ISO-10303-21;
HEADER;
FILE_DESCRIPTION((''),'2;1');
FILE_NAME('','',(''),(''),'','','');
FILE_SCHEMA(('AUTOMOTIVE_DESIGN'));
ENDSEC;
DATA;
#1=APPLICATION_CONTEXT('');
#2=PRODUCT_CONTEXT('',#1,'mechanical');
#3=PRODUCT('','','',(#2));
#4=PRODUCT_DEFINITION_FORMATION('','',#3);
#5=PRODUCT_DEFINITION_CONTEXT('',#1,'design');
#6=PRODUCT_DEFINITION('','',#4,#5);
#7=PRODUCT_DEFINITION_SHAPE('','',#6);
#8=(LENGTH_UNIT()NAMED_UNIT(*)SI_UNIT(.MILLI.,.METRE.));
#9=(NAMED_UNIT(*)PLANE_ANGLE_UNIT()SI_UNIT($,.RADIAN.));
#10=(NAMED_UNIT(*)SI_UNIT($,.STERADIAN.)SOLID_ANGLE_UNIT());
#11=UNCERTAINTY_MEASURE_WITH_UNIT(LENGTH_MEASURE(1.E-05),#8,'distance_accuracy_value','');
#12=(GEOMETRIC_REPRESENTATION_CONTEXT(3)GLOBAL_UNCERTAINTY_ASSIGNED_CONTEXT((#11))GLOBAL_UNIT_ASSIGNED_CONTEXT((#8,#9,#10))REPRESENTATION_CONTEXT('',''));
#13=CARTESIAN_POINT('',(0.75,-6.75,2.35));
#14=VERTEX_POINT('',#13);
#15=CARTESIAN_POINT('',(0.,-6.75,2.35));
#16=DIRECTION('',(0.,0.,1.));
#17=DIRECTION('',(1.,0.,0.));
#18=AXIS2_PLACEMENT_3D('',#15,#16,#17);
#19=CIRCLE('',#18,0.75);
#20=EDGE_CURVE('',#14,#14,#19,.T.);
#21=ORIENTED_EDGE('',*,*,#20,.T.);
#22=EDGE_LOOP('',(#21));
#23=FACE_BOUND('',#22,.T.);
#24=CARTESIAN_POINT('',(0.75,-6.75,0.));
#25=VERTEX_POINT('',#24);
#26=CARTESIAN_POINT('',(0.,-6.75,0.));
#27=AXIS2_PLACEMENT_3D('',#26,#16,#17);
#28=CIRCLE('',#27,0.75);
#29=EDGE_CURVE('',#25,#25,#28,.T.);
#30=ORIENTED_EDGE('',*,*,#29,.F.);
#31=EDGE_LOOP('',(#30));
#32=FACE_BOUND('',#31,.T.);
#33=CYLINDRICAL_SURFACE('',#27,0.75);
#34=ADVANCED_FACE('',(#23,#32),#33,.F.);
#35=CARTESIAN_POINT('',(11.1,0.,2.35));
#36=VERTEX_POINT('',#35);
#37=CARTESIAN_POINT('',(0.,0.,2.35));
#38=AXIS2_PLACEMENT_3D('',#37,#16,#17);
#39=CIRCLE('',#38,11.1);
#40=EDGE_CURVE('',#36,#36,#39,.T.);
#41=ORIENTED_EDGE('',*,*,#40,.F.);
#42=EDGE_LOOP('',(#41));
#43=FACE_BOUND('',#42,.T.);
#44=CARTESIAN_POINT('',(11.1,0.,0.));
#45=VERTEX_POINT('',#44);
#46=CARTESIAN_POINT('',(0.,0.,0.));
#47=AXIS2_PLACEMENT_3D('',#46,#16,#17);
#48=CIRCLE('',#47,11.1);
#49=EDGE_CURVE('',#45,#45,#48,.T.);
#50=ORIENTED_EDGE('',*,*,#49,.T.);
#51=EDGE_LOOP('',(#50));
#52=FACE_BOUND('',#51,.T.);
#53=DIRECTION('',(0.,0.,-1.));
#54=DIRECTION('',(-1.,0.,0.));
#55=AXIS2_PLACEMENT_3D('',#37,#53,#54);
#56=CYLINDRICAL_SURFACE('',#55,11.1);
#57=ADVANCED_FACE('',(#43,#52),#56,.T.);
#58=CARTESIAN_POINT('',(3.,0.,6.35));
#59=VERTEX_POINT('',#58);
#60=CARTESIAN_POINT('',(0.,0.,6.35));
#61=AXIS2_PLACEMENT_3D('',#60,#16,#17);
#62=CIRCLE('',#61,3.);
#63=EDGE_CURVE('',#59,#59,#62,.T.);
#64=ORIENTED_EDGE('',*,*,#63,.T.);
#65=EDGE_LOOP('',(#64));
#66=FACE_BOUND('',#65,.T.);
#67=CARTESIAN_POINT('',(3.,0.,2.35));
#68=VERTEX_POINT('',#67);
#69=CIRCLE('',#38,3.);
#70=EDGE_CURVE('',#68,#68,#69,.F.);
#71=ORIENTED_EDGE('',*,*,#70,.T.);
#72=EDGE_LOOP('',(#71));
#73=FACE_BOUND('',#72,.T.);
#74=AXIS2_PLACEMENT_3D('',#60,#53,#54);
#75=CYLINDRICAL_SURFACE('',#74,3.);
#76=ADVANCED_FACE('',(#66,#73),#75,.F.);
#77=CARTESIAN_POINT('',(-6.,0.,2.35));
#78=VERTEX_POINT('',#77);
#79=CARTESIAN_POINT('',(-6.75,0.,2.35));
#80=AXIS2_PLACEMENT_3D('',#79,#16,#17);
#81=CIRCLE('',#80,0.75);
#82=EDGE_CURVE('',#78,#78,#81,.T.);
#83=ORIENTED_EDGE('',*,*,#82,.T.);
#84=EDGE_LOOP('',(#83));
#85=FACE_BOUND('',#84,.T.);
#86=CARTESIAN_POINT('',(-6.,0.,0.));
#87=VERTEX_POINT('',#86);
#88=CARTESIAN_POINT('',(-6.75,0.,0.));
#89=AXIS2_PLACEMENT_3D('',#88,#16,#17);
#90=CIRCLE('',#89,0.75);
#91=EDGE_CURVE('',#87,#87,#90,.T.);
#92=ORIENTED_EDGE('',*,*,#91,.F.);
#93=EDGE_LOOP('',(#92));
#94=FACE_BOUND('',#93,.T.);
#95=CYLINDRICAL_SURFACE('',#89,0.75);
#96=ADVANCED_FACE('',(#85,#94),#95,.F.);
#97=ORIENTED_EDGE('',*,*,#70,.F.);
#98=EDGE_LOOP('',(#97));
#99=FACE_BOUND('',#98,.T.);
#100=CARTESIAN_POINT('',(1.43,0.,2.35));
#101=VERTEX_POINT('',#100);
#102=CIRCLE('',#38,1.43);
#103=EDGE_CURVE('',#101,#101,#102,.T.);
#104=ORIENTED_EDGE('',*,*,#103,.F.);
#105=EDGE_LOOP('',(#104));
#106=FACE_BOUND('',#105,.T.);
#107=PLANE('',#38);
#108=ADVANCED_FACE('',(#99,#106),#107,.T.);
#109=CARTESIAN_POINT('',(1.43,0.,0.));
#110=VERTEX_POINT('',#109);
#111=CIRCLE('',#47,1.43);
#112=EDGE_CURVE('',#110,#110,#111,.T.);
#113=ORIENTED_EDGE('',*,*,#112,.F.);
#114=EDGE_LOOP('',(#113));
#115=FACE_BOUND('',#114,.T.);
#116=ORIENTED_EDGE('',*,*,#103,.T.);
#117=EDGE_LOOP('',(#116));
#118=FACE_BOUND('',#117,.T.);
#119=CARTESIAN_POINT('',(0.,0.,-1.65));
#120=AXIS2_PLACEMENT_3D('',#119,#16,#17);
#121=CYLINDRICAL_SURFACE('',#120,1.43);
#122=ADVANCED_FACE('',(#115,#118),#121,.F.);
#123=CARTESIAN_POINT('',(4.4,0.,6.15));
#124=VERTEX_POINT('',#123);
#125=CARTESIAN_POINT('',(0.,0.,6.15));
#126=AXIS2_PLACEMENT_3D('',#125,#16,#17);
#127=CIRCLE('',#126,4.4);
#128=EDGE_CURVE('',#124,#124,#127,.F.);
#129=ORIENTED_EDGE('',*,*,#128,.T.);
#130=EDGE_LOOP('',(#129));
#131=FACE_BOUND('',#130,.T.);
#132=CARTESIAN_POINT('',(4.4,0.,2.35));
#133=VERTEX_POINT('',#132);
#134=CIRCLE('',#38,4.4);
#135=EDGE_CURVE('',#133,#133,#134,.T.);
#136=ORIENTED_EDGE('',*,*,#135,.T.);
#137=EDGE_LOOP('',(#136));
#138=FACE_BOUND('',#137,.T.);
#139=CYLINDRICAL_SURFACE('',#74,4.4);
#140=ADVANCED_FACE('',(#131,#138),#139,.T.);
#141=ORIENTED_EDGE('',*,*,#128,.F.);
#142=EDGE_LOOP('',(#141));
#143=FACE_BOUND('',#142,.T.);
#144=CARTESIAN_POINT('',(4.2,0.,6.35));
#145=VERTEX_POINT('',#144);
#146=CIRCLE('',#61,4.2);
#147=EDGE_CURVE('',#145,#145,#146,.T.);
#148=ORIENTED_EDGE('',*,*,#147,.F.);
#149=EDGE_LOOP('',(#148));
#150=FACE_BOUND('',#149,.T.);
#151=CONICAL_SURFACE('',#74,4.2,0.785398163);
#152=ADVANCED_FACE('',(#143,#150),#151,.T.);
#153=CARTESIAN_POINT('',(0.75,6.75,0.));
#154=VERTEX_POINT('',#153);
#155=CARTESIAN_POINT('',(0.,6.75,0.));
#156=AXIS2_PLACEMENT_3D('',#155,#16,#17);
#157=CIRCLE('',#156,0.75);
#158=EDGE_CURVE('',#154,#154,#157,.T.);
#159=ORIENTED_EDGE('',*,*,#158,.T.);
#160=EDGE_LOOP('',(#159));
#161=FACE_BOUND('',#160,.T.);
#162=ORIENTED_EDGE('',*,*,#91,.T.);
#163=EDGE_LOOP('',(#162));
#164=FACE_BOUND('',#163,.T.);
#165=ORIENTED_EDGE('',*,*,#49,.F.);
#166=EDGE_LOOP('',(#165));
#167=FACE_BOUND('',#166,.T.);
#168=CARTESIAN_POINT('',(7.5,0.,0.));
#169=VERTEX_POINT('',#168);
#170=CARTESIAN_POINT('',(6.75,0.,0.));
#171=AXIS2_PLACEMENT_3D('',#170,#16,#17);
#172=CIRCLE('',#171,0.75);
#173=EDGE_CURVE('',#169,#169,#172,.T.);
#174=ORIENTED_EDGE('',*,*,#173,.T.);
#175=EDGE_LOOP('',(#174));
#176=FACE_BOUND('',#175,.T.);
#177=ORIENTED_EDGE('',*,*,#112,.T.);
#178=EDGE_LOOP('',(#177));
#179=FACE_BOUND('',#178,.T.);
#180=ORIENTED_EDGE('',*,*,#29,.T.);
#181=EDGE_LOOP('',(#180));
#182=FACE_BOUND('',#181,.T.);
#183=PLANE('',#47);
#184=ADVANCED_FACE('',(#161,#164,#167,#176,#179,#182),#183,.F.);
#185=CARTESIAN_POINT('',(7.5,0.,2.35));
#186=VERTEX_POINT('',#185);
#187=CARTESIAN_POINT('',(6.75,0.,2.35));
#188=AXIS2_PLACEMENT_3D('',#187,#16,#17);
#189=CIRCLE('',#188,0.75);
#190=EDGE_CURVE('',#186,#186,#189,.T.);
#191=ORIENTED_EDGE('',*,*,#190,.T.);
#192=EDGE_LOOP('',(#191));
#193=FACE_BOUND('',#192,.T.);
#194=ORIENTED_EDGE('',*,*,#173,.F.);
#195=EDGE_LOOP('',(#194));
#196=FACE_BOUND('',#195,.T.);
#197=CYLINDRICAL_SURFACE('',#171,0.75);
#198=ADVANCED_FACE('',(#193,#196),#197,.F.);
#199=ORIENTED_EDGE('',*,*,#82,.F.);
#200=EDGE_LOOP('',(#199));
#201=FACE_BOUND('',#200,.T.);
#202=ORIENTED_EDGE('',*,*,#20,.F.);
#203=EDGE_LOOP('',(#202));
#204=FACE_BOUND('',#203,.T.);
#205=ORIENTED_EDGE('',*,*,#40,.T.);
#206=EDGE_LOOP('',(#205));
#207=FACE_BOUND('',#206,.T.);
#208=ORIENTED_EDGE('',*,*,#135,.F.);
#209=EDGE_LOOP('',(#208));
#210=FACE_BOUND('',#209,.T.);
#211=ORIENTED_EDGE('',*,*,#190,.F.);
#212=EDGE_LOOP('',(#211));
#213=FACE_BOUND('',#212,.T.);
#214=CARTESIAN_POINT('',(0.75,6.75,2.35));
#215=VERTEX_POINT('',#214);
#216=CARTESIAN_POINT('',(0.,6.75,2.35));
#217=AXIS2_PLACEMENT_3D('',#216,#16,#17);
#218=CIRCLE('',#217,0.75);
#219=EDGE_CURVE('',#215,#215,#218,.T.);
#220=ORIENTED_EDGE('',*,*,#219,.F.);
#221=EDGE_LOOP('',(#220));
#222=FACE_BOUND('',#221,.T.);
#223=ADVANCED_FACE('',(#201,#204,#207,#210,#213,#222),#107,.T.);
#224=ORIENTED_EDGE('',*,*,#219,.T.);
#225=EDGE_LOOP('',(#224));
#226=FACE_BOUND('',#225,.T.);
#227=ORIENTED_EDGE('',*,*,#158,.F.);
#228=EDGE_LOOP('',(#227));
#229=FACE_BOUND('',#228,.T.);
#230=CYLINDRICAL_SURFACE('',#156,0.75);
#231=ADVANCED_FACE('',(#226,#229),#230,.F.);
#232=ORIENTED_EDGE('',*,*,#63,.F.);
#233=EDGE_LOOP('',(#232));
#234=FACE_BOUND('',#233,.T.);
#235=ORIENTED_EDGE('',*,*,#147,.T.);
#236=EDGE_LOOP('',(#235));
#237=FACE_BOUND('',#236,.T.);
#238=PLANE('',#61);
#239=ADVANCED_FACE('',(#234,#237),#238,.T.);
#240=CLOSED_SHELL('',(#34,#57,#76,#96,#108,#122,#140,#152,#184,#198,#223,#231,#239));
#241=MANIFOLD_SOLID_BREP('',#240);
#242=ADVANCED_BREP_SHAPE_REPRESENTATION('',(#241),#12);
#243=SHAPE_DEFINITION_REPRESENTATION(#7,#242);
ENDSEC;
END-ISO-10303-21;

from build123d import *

# Parameters (mm, degrees)
ESQUISSE1_R             = 11.1
ESQUISSE1_R_2           = 1.5
BOSS_EXTRU_1_DEPTH      = 2.35
ESQUISSE2_R             = 4.4
ESQUISSE2_R_2           = 3
BOSS_EXTRU_2_DEPTH      = 4
ESQUISSE3_R             = 1.43
ENL_V_MAT_EXTRU_1_DEPTH = 4
CHANFREIN2_SIZE         = 0.2
ESQUISSE4_R             = 1.5
ENL_V_MAT_EXTRU_2_DEPTH = 4
BOSS_EXTRU_3_START      = -2.35
ESQUISSE5_R             = 1.5
ESQUISSE5_R_2           = 0.75
BOSS_EXTRU_3_DEPTH      = 2.35


with BuildPart() as part:
    # Esquisse1 → Boss.-Extru.1 (new body)
    with BuildSketch(Plane.XY):
        Circle(ESQUISSE1_R)
        with Locations((0, 6.75)):
            Circle(ESQUISSE1_R_2, mode=Mode.SUBTRACT)
        with Locations((0, -6.75)):
            Circle(ESQUISSE1_R_2, mode=Mode.SUBTRACT)
    extrude(amount=BOSS_EXTRU_1_DEPTH)

    # Esquisse2 → Boss.-Extru.2 (add)
    with BuildSketch(Plane.XY.offset(2.35)):
        Circle(ESQUISSE2_R)
        Circle(ESQUISSE2_R_2, mode=Mode.SUBTRACT)
    extrude(amount=BOSS_EXTRU_2_DEPTH)

    # Esquisse3 → Enlèv. mat.-Extru.1 (cut)
    with BuildSketch(Plane.XY.offset(2.35)):
        Circle(ESQUISSE3_R)
    extrude(amount=-ENL_V_MAT_EXTRU_1_DEPTH, mode=Mode.SUBTRACT)

    # Chanfrein2
    chanfrein2_edges = [part.edges().sort_by_distance(p)[0] for p in [
        (-4.4, 0, 6.35),
    ]]
    chamfer(chanfrein2_edges, length=CHANFREIN2_SIZE)

    # Esquisse4 → Enlèv. mat.-Extru.2 (cut)
    with BuildSketch(Plane(origin=(0, 0, 0), x_dir=(-1, 0, 0), z_dir=(0, 0, -1))):
        with Locations((-6.75, 0)):
            Circle(ESQUISSE4_R)
        with Locations((6.75, 0)):
            Circle(ESQUISSE4_R)
    extrude(amount=-ENL_V_MAT_EXTRU_2_DEPTH, mode=Mode.SUBTRACT)

    # Esquisse5 → Boss.-Extru.3 (add)
    # profile 1 of 4: a face of its own
    with BuildSketch(Plane.XY.offset(2.35).offset(BOSS_EXTRU_3_START)):
        with Locations((-6.75, 0)):
            Circle(ESQUISSE5_R)
        with Locations((-6.75, 0)):
            Circle(ESQUISSE5_R_2, mode=Mode.SUBTRACT)
    # profile 2 of 4: a face of its own
    with BuildSketch(Plane.XY.offset(2.35).offset(BOSS_EXTRU_3_START)):
        with Locations((0, -6.75)):
            Circle(ESQUISSE5_R)
        with Locations((0, -6.75)):
            Circle(ESQUISSE5_R_2, mode=Mode.SUBTRACT)
    # profile 3 of 4: a face of its own
    with BuildSketch(Plane.XY.offset(2.35).offset(BOSS_EXTRU_3_START)):
        with Locations((6.75, 0)):
            Circle(ESQUISSE5_R)
        with Locations((6.75, 0)):
            Circle(ESQUISSE5_R_2, mode=Mode.SUBTRACT)
    # profile 4 of 4: a face of its own
    with BuildSketch(Plane.XY.offset(2.35).offset(BOSS_EXTRU_3_START)):
        with Locations((0, 6.75)):
            Circle(ESQUISSE5_R)
        with Locations((0, 6.75)):
            Circle(ESQUISSE5_R_2, mode=Mode.SUBTRACT)
    extrude(amount=BOSS_EXTRU_3_DEPTH)


solid = part.part
